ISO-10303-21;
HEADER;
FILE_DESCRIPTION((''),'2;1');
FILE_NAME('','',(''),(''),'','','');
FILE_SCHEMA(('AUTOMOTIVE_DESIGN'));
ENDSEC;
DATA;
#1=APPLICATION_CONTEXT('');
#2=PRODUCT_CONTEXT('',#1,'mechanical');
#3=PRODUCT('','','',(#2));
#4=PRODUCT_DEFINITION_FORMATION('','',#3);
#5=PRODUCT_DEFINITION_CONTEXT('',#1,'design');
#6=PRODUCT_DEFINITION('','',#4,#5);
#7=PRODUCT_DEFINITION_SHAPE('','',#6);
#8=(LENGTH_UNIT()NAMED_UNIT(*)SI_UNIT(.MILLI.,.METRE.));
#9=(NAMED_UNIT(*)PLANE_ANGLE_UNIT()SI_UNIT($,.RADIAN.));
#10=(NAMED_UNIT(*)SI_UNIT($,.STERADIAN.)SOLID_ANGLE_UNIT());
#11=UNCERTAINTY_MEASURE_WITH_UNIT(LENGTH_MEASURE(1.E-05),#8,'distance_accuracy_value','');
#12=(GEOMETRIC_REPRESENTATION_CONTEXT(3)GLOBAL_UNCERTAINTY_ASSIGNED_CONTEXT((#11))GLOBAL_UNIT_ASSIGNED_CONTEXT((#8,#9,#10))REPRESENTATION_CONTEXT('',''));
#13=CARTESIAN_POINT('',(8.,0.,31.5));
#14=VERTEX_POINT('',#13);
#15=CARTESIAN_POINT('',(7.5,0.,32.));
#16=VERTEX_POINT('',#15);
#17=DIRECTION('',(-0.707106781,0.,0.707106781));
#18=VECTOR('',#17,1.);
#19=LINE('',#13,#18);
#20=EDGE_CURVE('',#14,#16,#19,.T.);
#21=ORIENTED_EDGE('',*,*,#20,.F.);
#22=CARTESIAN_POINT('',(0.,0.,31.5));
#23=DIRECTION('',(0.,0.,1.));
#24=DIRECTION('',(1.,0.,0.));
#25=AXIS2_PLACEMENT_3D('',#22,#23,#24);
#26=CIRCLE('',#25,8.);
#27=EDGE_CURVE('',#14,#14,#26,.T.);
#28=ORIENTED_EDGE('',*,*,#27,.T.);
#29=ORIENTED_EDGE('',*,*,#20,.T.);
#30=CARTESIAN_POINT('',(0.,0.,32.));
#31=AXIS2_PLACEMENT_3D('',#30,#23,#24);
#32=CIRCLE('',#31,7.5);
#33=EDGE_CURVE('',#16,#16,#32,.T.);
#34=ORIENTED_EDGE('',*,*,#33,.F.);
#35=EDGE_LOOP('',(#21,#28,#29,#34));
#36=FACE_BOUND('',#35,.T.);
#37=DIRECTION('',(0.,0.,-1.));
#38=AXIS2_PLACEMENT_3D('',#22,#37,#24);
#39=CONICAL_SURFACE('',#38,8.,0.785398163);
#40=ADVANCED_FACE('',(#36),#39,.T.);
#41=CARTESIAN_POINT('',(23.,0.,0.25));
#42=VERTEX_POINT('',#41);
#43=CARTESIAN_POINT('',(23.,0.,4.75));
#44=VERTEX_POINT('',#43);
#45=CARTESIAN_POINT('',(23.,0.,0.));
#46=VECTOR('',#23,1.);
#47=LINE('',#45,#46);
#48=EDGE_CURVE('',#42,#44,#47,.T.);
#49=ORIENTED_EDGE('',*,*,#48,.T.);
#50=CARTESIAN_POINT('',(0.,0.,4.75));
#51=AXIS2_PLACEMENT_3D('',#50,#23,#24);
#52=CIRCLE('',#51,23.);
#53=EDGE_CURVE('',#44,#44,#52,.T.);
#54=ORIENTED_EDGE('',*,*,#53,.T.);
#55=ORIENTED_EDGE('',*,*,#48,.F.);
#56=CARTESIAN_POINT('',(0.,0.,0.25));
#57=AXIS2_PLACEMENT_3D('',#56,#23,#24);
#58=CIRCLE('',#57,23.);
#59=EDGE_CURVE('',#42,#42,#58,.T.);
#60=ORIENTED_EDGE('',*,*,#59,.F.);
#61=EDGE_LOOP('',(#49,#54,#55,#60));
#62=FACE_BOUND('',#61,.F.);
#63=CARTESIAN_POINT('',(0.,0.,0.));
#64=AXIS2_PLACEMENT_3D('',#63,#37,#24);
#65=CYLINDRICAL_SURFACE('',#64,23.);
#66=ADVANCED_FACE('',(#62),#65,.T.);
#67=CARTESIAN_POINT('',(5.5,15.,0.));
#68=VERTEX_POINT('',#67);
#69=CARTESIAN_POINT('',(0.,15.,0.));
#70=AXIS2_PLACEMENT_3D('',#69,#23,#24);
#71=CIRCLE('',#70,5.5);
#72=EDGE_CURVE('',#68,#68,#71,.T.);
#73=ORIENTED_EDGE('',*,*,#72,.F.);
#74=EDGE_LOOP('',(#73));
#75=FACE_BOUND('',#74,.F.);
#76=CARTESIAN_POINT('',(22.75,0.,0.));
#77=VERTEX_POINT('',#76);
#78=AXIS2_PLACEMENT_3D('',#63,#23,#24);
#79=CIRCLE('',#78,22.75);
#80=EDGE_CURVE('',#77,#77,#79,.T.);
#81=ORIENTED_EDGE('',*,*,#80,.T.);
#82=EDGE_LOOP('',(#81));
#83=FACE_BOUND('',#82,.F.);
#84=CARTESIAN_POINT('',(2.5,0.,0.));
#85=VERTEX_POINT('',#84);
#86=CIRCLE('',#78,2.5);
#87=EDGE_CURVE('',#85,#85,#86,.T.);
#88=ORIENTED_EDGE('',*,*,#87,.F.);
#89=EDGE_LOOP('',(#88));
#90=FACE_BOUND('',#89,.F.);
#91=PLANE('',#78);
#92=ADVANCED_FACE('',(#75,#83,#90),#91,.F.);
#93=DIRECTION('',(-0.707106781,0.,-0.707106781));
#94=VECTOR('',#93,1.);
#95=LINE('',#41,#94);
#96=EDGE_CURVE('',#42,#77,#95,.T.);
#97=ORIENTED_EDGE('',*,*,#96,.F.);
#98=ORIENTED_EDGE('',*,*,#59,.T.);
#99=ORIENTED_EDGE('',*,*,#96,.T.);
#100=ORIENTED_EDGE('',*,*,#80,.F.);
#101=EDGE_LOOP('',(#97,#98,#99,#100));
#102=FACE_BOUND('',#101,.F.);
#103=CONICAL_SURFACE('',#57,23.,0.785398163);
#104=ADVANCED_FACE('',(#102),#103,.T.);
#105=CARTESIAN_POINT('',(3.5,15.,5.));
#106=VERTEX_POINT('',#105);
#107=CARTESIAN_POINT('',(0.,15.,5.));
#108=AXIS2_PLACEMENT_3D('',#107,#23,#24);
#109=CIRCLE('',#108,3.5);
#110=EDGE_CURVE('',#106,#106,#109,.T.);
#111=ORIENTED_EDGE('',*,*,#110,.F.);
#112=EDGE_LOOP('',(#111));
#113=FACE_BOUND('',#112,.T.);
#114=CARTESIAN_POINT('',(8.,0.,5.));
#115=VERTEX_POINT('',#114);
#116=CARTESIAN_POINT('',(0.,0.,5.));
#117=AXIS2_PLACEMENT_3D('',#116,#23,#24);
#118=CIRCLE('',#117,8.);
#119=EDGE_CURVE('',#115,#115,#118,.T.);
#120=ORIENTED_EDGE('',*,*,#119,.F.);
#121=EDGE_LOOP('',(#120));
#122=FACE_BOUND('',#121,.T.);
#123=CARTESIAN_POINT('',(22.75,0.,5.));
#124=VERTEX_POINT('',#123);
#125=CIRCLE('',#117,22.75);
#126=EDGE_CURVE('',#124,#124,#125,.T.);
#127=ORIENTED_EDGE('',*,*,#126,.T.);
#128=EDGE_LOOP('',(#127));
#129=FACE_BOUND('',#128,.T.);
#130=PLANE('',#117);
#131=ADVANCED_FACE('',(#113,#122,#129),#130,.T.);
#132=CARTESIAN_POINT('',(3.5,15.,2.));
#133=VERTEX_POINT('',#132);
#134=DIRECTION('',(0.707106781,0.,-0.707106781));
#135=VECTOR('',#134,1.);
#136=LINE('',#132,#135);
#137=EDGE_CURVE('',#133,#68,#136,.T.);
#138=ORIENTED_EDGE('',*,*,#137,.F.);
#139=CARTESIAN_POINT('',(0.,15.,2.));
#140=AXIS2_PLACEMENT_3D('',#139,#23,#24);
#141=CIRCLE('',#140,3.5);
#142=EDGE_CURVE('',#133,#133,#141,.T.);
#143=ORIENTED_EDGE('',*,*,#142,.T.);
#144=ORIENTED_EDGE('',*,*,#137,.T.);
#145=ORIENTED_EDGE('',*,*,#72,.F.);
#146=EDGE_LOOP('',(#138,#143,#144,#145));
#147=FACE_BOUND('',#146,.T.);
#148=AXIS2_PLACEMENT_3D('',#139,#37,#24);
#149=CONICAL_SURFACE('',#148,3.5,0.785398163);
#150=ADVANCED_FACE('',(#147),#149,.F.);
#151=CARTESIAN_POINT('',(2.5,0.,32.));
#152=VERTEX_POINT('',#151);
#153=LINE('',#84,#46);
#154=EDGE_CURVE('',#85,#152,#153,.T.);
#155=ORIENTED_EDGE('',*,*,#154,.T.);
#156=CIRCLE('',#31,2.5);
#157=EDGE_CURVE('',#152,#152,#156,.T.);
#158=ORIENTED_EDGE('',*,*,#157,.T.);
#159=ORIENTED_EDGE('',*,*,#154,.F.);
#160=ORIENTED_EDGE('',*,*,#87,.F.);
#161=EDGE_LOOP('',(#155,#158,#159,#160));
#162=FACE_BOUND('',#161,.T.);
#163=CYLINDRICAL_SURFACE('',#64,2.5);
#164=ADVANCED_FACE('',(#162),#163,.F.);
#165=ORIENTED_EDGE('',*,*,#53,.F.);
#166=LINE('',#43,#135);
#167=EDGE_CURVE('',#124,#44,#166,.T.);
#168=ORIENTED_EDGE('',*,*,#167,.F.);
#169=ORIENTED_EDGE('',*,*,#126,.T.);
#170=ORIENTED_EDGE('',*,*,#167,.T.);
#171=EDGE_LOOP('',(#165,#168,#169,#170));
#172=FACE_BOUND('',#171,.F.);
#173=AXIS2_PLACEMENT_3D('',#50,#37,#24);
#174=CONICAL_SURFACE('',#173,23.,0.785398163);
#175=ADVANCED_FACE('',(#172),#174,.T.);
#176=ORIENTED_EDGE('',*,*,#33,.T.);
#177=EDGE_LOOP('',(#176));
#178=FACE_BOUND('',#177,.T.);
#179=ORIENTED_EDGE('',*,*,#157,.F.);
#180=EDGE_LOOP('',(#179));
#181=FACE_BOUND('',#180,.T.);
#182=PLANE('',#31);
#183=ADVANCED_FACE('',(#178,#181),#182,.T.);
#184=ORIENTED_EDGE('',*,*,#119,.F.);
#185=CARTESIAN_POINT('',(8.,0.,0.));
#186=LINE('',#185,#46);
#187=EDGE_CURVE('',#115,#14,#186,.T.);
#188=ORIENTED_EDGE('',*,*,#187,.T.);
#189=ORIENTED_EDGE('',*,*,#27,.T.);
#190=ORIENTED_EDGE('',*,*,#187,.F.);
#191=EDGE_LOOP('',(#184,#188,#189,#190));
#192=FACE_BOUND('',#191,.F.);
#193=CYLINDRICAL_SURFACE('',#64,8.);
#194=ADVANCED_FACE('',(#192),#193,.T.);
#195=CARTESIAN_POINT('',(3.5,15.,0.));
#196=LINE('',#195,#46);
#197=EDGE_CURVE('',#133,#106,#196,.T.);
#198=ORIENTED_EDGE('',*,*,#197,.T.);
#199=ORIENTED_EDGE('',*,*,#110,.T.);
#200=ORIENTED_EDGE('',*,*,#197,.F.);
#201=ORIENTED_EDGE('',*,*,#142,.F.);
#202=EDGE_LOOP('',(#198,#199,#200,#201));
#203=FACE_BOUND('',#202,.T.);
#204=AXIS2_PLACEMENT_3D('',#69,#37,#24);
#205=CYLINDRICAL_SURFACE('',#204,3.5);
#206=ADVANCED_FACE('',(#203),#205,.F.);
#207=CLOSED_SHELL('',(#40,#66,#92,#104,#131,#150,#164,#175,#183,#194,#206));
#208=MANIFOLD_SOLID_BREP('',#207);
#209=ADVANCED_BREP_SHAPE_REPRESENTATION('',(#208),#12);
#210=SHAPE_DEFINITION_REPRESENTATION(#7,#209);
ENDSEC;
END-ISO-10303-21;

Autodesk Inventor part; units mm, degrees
ref_plane "YZ Plane" through (0, 0, 0) normal (1, 0, 0) x (0, 1, 0)
ref_plane "XZ Plane" through (0, 0, 0) normal (0, 1, 0) x (-1, 0, 0)
ref_plane "XY Plane" through (0, 0, 0) normal (0, 0, 1) x (1, 0, 0)
sketch "Sketch1" plane through (0, 0, 0) normal (0, 0, 1) x (1, 0, 0)
  circle A0 centre (0, 0) radius 23
  circle A1 centre (0, 0) radius 8
  circle A2 centre (0, 0) radius 2.5
  circle A3 centre (0, 15) radius 3.5
  dimension "d0" = 46
  dimension "d1" = 16
  dimension "d2" = 5
  dimension "d3" = 7
  dimension "d4" = 15
extrude "Extrusion1" add sketch "Sketch1" along normal blind 5 contours A0
extrude "Extrusion2" add sketch "Sketch1" along normal blind 32 contours A1
chamfer "Chamfer1" distance 0.5 angle 45 1 edges at (-8, 0, 32)
chamfer "Chamfer2" distance 0.25 angle 45 2 edges at (-23, 0, 5) (-23, 0, 0)
chamfer "Chamfer3" distance 2 angle 45 1 edges at (-3.5, 15, 0)
properties part number "CylinderCover"
